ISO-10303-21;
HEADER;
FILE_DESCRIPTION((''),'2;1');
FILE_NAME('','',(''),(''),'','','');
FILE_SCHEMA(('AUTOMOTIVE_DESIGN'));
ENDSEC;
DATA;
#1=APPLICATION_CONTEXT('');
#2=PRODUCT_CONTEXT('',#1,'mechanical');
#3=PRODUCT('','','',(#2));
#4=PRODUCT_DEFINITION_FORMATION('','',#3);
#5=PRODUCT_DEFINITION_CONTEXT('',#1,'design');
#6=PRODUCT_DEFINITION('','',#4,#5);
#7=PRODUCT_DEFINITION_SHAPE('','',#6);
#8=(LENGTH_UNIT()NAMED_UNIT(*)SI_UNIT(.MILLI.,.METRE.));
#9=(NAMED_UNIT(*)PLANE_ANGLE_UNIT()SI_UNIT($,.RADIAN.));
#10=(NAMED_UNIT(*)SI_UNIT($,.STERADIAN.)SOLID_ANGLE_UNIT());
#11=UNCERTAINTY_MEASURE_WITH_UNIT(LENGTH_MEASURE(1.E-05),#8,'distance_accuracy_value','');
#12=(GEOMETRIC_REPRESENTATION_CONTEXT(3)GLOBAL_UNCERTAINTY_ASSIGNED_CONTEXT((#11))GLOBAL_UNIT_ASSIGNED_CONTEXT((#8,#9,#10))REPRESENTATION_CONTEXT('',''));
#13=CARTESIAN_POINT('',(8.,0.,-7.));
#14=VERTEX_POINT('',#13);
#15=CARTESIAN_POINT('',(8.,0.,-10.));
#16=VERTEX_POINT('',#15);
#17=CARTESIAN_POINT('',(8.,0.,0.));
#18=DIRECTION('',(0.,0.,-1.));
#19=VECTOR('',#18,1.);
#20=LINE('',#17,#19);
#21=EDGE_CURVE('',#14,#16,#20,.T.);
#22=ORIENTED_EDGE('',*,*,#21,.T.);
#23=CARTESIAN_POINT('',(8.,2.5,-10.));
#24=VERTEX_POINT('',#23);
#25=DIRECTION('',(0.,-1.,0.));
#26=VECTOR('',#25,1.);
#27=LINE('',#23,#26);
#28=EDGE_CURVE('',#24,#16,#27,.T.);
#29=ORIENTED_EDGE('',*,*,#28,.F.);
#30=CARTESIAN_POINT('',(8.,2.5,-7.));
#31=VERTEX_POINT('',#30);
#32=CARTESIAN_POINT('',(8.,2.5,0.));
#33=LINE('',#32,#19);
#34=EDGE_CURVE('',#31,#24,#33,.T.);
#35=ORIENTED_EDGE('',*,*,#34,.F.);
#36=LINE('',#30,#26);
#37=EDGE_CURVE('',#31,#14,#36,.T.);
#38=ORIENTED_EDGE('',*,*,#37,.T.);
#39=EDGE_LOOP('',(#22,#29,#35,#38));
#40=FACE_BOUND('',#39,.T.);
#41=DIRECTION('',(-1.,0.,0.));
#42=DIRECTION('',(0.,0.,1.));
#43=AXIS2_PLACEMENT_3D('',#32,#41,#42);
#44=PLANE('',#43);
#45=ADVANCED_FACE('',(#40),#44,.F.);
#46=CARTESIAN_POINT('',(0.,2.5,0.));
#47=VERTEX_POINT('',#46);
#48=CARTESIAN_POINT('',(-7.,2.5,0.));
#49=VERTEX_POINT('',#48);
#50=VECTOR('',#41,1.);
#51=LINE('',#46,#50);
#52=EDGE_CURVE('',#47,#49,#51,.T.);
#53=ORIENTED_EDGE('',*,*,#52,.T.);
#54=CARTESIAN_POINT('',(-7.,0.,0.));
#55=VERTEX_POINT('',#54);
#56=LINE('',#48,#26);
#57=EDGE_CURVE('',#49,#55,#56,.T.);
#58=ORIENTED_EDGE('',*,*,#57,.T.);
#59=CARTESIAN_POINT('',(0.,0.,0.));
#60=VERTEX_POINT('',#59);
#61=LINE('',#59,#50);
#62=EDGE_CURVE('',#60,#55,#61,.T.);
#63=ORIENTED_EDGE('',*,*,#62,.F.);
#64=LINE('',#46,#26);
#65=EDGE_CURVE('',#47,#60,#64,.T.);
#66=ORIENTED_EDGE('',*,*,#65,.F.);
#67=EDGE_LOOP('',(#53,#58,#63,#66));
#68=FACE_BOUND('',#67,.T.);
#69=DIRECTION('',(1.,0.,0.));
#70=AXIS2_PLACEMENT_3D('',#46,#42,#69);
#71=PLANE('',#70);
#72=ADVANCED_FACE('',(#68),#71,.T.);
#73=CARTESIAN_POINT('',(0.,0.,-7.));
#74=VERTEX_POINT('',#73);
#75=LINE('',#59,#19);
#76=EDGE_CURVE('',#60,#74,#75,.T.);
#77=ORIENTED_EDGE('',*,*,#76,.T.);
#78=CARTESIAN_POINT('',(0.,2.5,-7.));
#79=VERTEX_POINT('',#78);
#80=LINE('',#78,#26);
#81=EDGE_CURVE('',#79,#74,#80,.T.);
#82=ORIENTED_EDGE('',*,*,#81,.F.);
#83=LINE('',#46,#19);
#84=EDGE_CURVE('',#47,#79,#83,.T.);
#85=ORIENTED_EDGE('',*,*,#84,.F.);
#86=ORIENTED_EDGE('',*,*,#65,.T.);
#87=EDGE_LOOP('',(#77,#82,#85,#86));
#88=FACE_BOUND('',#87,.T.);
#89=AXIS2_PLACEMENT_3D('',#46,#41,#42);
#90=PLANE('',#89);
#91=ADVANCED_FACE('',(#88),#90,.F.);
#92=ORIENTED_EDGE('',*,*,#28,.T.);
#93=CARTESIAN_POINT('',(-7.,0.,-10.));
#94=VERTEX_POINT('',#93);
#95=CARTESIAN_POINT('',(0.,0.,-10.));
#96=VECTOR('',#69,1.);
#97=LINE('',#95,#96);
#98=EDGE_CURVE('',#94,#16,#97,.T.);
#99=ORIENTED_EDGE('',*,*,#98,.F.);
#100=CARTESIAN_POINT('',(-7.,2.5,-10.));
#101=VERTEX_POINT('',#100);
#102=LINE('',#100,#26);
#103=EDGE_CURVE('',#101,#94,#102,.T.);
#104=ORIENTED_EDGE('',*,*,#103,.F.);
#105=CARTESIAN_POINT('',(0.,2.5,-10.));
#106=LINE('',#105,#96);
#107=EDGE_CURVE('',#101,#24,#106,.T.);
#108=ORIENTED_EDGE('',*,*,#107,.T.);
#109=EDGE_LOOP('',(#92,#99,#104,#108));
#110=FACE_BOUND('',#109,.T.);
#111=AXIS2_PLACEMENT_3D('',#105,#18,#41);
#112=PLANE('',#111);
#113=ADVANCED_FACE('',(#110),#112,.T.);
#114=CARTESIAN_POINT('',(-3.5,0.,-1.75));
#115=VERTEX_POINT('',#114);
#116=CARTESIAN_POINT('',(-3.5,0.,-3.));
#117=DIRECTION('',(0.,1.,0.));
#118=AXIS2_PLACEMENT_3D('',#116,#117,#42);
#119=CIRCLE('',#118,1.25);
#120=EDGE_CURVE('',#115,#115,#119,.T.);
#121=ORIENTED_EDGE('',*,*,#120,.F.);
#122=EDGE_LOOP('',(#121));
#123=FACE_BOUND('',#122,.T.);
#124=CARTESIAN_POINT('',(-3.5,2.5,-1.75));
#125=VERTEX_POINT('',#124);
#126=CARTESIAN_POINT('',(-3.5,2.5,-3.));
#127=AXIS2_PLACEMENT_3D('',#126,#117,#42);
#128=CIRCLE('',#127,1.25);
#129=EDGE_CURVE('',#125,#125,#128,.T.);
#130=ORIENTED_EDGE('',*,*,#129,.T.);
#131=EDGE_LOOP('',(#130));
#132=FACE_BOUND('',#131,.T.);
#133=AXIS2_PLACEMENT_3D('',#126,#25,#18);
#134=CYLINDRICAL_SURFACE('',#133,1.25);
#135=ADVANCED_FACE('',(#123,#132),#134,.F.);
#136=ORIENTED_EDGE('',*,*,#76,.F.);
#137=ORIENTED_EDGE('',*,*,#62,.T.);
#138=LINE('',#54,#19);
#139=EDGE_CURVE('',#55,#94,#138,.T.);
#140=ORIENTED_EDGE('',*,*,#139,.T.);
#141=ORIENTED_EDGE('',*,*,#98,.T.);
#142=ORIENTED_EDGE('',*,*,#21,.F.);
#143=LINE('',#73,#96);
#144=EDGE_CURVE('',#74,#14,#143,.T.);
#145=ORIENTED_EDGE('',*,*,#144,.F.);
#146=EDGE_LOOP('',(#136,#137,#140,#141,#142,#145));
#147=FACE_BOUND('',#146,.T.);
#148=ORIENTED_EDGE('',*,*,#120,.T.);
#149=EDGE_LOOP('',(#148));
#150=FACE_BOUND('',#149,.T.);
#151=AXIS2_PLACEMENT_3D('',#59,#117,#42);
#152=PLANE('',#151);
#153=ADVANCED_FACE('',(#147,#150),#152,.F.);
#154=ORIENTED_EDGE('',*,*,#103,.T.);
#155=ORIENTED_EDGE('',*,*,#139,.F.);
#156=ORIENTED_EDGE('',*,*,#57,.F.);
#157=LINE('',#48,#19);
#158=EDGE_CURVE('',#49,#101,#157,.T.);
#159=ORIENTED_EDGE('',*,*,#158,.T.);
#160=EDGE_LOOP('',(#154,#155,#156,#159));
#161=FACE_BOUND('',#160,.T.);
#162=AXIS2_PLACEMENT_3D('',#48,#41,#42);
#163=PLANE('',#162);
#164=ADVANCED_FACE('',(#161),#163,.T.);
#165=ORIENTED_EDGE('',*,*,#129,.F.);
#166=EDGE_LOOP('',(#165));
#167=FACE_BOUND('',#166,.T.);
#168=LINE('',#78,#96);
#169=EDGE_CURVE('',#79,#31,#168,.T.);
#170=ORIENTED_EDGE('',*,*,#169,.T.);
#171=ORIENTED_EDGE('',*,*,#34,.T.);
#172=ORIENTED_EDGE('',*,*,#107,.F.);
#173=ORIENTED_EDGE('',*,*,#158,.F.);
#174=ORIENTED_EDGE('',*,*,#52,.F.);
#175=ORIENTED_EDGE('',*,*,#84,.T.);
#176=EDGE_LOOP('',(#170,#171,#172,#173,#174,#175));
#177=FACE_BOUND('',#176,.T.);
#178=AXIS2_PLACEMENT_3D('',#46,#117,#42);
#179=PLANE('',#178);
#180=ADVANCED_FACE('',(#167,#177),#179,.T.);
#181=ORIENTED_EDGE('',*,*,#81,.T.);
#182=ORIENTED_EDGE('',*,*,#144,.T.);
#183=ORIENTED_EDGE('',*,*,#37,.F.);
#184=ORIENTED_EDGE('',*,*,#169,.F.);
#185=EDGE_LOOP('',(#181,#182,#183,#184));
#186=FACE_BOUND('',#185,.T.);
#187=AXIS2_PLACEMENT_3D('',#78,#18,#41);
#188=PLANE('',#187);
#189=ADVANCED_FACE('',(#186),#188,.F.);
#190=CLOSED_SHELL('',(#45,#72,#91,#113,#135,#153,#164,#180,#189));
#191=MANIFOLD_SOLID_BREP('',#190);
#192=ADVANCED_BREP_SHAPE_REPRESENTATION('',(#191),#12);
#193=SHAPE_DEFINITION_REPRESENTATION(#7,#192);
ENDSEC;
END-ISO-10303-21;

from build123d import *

# Parameters (mm, degrees)
SKETCH4_W           = 7
SKETCH4_H           = 7
SKETCH4_R           = 1.25
BOSS_EXTRUDE2_DEPTH = 2.5


with BuildPart() as part:
    # Sketch4 → Boss-Extrude2 (new body)
    # profile 1 of 2: a face of its own
    with BuildSketch(Plane(origin=(0, 0, 0), x_dir=(1, 0, 0), z_dir=(0, 1, 0))):
        with Locations((-3.5, 3.5)):
            Rectangle(SKETCH4_W, SKETCH4_H)
        with Locations(Location((-3.5, 3, 0), (0, 0, 270))):
            Circle(SKETCH4_R, mode=Mode.SUBTRACT)
    # profile 2 of 2: a face of its own
    with BuildSketch(Plane(origin=(0, 0, 0), x_dir=(1, 0, 0), z_dir=(0, 1, 0))):
        Polygon((-7, 7), (0, 7), (8, 7), (8, 10), (-7, 10), align=None)
    extrude(amount=BOSS_EXTRUDE2_DEPTH)


solid = part.part
